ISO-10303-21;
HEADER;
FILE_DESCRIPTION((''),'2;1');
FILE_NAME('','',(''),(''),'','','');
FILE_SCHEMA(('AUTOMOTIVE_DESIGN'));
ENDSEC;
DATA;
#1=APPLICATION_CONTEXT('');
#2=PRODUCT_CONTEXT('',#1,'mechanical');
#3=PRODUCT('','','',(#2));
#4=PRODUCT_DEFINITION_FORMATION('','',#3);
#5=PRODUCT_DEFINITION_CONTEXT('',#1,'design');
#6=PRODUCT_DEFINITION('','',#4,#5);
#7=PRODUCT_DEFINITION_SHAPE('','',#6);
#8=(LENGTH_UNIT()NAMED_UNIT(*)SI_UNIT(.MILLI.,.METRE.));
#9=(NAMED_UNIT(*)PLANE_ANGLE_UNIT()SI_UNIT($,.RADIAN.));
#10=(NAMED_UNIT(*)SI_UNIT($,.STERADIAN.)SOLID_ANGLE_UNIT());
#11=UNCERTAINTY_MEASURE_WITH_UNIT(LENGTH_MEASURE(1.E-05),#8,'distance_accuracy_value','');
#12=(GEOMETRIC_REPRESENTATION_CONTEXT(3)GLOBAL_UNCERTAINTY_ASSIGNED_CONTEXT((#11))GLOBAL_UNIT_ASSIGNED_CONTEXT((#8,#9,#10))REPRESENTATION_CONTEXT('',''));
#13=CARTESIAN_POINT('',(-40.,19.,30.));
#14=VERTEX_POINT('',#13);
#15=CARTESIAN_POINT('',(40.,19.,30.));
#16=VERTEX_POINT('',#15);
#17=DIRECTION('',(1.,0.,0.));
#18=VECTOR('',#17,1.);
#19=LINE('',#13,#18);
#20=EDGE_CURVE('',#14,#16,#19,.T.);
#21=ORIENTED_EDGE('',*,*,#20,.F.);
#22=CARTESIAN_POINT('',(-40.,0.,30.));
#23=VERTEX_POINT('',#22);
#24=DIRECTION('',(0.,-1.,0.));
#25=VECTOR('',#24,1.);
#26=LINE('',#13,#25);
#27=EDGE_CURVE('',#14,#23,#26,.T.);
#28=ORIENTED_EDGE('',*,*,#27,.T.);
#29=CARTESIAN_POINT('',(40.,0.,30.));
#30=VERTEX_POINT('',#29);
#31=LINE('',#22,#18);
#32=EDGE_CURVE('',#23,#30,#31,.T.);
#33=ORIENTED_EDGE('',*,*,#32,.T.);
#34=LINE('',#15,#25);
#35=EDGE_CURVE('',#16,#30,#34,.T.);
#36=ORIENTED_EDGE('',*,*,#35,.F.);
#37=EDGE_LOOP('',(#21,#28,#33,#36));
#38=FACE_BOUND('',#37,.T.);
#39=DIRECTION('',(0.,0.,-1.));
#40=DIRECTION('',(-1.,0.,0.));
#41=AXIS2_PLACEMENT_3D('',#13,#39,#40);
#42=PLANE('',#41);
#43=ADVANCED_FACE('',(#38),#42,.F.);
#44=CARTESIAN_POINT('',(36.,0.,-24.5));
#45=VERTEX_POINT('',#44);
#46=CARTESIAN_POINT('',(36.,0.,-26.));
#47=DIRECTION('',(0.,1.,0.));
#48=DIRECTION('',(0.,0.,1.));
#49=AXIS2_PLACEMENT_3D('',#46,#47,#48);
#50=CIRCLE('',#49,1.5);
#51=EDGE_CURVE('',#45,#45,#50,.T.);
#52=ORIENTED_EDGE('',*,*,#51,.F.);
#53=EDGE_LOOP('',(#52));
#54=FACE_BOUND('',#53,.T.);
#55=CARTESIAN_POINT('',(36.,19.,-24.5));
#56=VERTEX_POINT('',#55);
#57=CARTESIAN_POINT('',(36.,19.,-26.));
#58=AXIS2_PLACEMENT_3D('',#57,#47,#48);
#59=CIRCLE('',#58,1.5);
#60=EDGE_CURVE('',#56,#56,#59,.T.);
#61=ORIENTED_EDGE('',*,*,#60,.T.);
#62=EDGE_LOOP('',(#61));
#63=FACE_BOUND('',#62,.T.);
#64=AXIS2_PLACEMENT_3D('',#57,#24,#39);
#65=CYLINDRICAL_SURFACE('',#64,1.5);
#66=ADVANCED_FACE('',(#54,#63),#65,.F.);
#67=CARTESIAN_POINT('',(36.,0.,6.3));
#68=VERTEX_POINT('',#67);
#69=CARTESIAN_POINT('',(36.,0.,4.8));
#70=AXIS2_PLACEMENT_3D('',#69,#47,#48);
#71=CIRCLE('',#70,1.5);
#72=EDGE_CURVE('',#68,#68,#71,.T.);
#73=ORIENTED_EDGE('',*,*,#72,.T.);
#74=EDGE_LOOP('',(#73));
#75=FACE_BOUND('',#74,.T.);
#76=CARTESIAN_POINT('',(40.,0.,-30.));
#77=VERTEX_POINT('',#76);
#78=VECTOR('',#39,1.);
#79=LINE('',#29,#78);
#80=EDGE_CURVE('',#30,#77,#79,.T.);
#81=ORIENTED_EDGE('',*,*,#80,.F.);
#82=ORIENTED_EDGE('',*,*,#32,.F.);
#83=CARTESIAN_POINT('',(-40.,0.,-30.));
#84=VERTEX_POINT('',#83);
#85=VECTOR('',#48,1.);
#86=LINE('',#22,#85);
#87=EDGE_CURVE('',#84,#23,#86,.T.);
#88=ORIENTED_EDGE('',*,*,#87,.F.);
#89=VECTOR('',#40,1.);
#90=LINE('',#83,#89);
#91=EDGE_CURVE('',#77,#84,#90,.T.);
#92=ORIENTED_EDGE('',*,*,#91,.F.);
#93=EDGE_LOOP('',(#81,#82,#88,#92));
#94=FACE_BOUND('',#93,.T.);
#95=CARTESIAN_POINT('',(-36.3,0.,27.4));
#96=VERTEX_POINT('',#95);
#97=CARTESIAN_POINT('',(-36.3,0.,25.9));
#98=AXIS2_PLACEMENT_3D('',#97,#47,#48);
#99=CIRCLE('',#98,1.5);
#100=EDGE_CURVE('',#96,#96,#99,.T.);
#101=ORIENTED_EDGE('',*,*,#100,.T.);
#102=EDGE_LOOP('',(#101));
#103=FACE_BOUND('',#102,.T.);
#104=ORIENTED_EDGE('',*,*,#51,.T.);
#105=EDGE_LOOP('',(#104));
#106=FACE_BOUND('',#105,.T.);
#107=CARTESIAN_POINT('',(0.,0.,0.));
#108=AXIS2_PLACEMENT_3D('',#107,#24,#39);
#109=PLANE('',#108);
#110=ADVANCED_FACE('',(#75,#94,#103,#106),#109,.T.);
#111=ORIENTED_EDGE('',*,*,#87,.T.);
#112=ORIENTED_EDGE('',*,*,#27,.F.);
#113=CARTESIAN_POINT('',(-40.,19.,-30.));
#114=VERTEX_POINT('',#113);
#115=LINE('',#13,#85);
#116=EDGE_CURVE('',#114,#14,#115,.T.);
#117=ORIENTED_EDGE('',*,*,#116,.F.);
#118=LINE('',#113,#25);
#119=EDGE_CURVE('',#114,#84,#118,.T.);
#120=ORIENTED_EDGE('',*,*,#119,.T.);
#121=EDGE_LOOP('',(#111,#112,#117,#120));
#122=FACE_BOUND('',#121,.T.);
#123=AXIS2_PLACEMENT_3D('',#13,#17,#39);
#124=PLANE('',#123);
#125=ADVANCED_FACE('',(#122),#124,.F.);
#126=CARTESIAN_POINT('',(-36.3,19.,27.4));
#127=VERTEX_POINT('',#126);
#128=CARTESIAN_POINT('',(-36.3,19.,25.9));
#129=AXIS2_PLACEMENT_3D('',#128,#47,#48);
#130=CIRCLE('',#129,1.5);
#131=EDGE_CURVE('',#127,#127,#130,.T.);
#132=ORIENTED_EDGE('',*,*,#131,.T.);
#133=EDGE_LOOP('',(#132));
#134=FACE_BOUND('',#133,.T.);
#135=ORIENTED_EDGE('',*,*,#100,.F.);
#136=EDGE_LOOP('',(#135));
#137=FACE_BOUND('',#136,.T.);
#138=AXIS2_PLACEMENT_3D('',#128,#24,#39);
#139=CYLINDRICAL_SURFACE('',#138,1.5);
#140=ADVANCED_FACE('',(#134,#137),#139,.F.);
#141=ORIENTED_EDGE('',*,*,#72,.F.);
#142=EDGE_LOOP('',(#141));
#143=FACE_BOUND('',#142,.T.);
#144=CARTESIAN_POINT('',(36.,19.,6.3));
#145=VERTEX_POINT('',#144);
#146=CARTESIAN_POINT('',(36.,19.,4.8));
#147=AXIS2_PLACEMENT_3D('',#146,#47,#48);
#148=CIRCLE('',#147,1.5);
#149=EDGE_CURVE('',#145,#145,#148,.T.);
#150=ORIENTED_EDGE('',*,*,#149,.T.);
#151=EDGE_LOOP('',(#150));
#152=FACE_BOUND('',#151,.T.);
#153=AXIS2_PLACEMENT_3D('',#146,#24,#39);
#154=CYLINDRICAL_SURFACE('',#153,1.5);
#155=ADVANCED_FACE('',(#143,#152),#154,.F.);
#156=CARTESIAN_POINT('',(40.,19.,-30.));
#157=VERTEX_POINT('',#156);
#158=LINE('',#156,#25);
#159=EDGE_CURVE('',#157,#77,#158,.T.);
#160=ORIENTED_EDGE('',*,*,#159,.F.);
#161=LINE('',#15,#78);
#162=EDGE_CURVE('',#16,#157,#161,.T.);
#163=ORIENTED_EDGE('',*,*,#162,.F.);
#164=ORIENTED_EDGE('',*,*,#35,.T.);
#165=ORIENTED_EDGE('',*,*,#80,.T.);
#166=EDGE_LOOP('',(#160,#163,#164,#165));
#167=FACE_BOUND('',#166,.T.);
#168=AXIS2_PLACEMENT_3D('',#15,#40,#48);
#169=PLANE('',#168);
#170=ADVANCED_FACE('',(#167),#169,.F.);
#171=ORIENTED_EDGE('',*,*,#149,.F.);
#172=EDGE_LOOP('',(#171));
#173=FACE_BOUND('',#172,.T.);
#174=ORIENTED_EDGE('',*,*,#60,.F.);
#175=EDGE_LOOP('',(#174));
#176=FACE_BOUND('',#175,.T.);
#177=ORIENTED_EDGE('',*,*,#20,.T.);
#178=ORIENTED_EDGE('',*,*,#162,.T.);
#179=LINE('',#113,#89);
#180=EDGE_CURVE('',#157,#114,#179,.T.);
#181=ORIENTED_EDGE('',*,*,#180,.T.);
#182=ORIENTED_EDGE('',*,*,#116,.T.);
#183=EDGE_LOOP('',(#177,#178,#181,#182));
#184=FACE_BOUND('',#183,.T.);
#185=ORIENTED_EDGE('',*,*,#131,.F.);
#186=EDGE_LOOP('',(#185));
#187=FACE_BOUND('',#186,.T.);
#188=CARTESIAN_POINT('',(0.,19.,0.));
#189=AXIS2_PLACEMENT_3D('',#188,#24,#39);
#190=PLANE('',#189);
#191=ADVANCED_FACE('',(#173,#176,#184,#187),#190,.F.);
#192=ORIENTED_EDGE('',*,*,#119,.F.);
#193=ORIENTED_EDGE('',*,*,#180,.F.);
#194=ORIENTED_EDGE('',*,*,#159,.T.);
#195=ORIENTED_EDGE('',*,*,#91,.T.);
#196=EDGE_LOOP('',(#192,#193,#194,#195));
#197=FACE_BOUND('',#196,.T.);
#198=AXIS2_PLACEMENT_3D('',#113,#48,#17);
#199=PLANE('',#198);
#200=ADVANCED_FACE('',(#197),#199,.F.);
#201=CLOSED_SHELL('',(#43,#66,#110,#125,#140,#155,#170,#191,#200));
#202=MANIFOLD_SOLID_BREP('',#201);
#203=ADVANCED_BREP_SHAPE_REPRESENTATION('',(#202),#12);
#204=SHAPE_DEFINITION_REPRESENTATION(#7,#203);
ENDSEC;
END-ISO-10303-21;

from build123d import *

# Parameters (mm, degrees)
SKETCH1_W           = 80
SKETCH1_H           = 60
SKETCH1_R           = 1.5
BOSS_EXTRUDE1_DEPTH = 19


with BuildPart() as part:
    # Sketch1 → Boss-Extrude1 (new body)
    with BuildSketch(Plane(origin=(0, 0, 0), x_dir=(1, 0, 0), z_dir=(0, 1, 0))):
        Rectangle(SKETCH1_W, SKETCH1_H)
        with Locations(Location((36, 26, 0), (0, 0, 270))):
            Circle(SKETCH1_R, mode=Mode.SUBTRACT)
        with Locations(Location((36, -4.8, 0), (0, 0, 270))):
            Circle(SKETCH1_R, mode=Mode.SUBTRACT)
        with Locations(Location((-36.3, -25.9, 0), (0, 0, 270))):
            Circle(SKETCH1_R, mode=Mode.SUBTRACT)
    extrude(amount=BOSS_EXTRUDE1_DEPTH)


solid = part.part
